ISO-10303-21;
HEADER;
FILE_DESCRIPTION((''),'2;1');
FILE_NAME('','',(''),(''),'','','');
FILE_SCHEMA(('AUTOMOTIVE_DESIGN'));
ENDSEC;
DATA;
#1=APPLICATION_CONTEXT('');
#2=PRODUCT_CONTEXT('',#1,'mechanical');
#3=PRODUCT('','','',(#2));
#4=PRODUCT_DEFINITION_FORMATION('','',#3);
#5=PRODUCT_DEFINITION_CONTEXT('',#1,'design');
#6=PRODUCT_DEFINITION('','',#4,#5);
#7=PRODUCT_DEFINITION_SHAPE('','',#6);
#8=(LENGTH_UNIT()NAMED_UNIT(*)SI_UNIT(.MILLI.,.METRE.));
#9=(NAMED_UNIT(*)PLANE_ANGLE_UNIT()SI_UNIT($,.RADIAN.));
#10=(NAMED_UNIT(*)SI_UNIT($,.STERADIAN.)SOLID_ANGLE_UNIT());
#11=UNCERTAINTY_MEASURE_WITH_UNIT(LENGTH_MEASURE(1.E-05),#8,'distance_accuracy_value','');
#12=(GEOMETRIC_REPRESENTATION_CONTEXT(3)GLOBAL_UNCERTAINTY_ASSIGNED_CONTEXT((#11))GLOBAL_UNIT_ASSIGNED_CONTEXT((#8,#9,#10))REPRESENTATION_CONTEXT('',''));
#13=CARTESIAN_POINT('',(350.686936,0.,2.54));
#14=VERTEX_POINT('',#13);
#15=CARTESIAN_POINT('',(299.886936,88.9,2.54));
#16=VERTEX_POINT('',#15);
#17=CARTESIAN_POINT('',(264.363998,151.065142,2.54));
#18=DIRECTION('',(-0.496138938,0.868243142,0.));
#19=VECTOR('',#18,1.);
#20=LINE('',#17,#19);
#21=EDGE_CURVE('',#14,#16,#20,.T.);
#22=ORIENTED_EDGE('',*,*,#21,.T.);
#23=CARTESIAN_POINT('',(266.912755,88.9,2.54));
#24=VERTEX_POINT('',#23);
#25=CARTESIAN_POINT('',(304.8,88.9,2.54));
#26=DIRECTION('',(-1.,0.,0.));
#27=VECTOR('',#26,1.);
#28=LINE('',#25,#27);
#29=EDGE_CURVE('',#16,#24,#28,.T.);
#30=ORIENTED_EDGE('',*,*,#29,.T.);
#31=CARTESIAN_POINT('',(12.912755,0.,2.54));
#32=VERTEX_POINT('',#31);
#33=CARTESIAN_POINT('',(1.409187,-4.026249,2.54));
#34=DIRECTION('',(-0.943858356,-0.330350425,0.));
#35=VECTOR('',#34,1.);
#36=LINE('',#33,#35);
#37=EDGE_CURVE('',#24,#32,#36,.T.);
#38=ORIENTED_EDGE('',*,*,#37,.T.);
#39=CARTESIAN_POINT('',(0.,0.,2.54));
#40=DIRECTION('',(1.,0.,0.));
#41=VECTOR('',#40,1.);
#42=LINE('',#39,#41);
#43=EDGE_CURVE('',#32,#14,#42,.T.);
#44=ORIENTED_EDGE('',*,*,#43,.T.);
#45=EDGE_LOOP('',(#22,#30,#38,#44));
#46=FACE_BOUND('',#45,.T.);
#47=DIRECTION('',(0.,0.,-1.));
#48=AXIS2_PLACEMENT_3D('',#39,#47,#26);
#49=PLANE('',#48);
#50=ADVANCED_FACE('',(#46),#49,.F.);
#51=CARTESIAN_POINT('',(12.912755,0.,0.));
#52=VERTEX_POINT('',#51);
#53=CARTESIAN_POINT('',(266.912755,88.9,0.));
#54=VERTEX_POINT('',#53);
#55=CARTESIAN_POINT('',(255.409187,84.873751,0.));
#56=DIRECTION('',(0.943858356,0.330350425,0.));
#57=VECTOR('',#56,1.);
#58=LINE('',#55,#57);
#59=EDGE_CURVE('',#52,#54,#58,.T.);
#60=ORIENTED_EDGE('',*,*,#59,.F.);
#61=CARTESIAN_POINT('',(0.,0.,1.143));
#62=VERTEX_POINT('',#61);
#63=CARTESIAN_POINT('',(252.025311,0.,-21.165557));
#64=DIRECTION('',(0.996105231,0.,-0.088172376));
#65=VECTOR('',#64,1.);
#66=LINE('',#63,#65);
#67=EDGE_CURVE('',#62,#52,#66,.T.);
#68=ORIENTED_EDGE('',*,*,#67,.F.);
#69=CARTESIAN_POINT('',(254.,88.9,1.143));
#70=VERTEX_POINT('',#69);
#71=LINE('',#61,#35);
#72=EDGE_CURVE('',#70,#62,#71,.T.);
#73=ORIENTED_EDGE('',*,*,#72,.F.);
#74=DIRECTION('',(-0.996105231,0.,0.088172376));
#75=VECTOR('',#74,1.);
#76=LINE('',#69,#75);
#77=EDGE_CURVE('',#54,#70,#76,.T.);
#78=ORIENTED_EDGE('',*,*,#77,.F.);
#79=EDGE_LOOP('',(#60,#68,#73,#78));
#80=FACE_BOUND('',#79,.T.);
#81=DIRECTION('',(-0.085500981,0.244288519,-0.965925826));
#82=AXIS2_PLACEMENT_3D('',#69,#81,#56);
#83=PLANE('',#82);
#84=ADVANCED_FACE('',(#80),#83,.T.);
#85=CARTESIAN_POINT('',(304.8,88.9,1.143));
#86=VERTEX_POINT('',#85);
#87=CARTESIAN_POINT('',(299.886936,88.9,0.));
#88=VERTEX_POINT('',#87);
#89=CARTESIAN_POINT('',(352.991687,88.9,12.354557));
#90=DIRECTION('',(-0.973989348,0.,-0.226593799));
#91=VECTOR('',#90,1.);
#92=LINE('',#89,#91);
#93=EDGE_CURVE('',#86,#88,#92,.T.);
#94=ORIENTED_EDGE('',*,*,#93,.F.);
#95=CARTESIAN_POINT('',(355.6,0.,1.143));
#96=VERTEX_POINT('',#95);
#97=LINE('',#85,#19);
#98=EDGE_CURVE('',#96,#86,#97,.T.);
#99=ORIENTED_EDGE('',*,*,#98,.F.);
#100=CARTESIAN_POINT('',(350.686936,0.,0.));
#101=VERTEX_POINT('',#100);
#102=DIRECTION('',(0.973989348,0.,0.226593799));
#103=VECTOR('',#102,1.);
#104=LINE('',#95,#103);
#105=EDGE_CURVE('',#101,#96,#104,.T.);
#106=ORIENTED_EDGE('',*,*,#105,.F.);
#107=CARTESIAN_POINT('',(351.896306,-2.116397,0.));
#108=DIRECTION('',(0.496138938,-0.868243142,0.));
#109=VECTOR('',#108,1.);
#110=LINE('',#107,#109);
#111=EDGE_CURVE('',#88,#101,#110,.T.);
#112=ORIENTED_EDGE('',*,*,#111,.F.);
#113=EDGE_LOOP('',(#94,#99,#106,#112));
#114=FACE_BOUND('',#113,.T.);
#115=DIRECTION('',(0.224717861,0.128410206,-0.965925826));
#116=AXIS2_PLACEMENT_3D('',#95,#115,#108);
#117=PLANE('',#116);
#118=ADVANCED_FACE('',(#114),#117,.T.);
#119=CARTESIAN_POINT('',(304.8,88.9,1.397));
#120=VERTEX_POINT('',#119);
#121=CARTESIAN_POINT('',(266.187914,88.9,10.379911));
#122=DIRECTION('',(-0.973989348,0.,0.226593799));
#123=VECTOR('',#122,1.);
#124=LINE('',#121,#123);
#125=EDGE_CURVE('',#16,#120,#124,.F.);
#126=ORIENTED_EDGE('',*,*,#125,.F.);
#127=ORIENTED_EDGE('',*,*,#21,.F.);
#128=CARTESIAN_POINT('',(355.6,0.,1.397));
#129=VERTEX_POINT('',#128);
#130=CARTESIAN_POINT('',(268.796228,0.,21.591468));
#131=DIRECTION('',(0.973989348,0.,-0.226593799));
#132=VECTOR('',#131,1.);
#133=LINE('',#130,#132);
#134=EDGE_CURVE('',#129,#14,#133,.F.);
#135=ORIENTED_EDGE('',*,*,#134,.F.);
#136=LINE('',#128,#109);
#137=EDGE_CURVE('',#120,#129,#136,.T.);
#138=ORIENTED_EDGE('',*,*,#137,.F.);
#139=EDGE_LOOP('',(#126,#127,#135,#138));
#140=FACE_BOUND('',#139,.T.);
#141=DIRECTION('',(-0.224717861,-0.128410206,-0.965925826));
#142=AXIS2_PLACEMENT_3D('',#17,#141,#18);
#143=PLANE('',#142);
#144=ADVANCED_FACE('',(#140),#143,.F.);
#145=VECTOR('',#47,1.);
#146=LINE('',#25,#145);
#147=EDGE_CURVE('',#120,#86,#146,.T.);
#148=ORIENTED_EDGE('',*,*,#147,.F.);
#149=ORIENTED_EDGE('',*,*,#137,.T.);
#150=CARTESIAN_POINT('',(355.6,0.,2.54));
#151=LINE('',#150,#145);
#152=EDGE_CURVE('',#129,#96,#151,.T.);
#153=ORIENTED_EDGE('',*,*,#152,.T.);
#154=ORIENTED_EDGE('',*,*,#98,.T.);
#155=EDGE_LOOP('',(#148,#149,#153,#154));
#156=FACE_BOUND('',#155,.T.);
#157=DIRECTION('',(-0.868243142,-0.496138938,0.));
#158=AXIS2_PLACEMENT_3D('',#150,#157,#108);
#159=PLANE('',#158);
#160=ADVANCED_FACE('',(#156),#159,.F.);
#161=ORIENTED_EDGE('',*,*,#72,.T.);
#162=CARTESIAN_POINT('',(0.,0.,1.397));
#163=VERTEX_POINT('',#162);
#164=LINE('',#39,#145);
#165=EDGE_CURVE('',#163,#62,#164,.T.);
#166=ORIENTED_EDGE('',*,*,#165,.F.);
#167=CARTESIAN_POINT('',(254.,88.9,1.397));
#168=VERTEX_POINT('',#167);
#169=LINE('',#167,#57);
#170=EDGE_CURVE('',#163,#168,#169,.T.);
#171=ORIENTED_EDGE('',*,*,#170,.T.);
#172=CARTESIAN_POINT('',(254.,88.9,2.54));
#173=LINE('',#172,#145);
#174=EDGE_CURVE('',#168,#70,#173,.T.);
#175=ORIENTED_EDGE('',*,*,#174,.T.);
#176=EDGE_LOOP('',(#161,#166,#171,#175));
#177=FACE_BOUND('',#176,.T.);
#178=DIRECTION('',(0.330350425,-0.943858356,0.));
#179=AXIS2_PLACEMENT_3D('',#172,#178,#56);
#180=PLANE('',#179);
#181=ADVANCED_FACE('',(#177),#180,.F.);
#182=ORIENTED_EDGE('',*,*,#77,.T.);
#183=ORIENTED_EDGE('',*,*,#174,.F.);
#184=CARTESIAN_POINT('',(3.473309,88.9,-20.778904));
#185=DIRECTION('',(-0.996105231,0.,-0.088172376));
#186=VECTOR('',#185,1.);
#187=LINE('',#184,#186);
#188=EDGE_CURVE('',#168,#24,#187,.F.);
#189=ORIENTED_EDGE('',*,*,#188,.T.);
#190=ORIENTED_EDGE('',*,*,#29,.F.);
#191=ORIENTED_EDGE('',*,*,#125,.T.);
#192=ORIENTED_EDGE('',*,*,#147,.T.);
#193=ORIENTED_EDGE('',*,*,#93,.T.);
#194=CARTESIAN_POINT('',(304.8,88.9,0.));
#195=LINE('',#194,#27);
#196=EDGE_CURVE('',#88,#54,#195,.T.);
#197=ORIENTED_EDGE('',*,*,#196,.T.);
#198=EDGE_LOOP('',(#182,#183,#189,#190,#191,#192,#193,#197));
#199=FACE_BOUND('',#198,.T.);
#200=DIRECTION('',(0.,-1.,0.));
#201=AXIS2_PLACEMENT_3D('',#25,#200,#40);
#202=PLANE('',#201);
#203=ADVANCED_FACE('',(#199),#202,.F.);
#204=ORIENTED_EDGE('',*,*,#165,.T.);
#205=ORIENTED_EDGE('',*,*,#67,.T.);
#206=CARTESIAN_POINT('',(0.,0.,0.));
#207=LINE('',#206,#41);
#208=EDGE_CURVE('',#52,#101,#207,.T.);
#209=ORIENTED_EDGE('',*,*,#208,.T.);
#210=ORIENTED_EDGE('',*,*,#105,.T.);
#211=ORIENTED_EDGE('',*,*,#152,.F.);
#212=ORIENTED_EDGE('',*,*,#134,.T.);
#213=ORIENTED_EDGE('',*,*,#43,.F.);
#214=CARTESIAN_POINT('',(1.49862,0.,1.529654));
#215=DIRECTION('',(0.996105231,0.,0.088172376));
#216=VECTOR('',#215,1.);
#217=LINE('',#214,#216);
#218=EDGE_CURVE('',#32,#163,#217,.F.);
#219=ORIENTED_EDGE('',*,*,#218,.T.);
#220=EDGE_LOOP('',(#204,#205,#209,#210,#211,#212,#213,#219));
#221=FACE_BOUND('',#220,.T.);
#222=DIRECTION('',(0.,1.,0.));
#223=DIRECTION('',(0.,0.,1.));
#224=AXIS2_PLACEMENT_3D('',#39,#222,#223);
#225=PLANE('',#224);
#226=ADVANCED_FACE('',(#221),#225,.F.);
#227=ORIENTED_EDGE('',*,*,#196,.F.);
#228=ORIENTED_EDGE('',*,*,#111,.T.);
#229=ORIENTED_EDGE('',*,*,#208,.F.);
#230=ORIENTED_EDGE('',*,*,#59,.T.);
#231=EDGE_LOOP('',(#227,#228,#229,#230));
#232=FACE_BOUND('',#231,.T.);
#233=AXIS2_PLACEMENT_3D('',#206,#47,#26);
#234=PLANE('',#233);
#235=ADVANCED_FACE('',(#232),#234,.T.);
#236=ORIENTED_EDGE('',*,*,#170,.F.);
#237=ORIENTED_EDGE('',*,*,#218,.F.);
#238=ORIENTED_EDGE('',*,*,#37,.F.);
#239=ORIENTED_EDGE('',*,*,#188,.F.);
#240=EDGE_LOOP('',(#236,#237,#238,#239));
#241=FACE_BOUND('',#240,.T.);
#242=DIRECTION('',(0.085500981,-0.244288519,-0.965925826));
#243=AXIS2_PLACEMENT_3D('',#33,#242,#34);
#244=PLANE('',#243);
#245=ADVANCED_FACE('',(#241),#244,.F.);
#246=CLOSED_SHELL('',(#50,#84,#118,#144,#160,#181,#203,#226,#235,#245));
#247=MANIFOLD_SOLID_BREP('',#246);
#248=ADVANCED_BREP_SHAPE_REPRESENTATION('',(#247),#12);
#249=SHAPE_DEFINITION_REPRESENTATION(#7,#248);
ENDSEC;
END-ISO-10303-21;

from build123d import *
from OCP.BRepFilletAPI import BRepFilletAPI_MakeChamfer

# Parameters (mm, degrees)
BOSS_EXTRUDE1_DEPTH = 2.54
CHAMFER2_SIZE       = 1.143
CHAMFER2_SIZE2      = 4.265734073


with BuildPart() as part:
    # Sketch1 → Boss-Extrude1 (new body)
    with BuildSketch(Plane.XY):
        Polygon((0, 0), (355.6, 0), (304.8, 88.9), (254, 88.9), align=None)
    extrude(amount=BOSS_EXTRUDE1_DEPTH)

    # Chamfer2: one chamfer whose edges measure the first distance from different faces: ONE call of the kernel's chamfer builder (chamfer() names one face for all edges)
    chamfer2_edges_1 = [part.edges().sort_by_distance(p)[0] for p in [
        (330.2, 44.45, 2.54),
        (330.2, 44.45, 0),
    ]]
    chamfer2_side_1 = [part.faces().sort_by_distance(p)[0] for p in [
        (330.2, 44.45, 1.27),
    ]]
    chamfer2_edges_2 = [part.edges().sort_by_distance(p)[0] for p in [
        (127, 44.45, 2.54),
        (127, 44.45, 0),
    ]]
    chamfer2_side_2 = [part.faces().sort_by_distance(p)[0] for p in [
        (127, 44.45, 1.27),
    ]]
    chamfer2 = BRepFilletAPI_MakeChamfer(part.part.solid().wrapped)
    for e in chamfer2_edges_1:
        chamfer2.Add(CHAMFER2_SIZE, CHAMFER2_SIZE2, e.wrapped, chamfer2_side_1[0].wrapped)  # the first distance lies on this face
    for e in chamfer2_edges_2:
        chamfer2.Add(CHAMFER2_SIZE, CHAMFER2_SIZE2, e.wrapped, chamfer2_side_2[0].wrapped)  # the first distance lies on this face
    add(Compound.cast(chamfer2.Shape()), mode=Mode.REPLACE)


solid = part.part
